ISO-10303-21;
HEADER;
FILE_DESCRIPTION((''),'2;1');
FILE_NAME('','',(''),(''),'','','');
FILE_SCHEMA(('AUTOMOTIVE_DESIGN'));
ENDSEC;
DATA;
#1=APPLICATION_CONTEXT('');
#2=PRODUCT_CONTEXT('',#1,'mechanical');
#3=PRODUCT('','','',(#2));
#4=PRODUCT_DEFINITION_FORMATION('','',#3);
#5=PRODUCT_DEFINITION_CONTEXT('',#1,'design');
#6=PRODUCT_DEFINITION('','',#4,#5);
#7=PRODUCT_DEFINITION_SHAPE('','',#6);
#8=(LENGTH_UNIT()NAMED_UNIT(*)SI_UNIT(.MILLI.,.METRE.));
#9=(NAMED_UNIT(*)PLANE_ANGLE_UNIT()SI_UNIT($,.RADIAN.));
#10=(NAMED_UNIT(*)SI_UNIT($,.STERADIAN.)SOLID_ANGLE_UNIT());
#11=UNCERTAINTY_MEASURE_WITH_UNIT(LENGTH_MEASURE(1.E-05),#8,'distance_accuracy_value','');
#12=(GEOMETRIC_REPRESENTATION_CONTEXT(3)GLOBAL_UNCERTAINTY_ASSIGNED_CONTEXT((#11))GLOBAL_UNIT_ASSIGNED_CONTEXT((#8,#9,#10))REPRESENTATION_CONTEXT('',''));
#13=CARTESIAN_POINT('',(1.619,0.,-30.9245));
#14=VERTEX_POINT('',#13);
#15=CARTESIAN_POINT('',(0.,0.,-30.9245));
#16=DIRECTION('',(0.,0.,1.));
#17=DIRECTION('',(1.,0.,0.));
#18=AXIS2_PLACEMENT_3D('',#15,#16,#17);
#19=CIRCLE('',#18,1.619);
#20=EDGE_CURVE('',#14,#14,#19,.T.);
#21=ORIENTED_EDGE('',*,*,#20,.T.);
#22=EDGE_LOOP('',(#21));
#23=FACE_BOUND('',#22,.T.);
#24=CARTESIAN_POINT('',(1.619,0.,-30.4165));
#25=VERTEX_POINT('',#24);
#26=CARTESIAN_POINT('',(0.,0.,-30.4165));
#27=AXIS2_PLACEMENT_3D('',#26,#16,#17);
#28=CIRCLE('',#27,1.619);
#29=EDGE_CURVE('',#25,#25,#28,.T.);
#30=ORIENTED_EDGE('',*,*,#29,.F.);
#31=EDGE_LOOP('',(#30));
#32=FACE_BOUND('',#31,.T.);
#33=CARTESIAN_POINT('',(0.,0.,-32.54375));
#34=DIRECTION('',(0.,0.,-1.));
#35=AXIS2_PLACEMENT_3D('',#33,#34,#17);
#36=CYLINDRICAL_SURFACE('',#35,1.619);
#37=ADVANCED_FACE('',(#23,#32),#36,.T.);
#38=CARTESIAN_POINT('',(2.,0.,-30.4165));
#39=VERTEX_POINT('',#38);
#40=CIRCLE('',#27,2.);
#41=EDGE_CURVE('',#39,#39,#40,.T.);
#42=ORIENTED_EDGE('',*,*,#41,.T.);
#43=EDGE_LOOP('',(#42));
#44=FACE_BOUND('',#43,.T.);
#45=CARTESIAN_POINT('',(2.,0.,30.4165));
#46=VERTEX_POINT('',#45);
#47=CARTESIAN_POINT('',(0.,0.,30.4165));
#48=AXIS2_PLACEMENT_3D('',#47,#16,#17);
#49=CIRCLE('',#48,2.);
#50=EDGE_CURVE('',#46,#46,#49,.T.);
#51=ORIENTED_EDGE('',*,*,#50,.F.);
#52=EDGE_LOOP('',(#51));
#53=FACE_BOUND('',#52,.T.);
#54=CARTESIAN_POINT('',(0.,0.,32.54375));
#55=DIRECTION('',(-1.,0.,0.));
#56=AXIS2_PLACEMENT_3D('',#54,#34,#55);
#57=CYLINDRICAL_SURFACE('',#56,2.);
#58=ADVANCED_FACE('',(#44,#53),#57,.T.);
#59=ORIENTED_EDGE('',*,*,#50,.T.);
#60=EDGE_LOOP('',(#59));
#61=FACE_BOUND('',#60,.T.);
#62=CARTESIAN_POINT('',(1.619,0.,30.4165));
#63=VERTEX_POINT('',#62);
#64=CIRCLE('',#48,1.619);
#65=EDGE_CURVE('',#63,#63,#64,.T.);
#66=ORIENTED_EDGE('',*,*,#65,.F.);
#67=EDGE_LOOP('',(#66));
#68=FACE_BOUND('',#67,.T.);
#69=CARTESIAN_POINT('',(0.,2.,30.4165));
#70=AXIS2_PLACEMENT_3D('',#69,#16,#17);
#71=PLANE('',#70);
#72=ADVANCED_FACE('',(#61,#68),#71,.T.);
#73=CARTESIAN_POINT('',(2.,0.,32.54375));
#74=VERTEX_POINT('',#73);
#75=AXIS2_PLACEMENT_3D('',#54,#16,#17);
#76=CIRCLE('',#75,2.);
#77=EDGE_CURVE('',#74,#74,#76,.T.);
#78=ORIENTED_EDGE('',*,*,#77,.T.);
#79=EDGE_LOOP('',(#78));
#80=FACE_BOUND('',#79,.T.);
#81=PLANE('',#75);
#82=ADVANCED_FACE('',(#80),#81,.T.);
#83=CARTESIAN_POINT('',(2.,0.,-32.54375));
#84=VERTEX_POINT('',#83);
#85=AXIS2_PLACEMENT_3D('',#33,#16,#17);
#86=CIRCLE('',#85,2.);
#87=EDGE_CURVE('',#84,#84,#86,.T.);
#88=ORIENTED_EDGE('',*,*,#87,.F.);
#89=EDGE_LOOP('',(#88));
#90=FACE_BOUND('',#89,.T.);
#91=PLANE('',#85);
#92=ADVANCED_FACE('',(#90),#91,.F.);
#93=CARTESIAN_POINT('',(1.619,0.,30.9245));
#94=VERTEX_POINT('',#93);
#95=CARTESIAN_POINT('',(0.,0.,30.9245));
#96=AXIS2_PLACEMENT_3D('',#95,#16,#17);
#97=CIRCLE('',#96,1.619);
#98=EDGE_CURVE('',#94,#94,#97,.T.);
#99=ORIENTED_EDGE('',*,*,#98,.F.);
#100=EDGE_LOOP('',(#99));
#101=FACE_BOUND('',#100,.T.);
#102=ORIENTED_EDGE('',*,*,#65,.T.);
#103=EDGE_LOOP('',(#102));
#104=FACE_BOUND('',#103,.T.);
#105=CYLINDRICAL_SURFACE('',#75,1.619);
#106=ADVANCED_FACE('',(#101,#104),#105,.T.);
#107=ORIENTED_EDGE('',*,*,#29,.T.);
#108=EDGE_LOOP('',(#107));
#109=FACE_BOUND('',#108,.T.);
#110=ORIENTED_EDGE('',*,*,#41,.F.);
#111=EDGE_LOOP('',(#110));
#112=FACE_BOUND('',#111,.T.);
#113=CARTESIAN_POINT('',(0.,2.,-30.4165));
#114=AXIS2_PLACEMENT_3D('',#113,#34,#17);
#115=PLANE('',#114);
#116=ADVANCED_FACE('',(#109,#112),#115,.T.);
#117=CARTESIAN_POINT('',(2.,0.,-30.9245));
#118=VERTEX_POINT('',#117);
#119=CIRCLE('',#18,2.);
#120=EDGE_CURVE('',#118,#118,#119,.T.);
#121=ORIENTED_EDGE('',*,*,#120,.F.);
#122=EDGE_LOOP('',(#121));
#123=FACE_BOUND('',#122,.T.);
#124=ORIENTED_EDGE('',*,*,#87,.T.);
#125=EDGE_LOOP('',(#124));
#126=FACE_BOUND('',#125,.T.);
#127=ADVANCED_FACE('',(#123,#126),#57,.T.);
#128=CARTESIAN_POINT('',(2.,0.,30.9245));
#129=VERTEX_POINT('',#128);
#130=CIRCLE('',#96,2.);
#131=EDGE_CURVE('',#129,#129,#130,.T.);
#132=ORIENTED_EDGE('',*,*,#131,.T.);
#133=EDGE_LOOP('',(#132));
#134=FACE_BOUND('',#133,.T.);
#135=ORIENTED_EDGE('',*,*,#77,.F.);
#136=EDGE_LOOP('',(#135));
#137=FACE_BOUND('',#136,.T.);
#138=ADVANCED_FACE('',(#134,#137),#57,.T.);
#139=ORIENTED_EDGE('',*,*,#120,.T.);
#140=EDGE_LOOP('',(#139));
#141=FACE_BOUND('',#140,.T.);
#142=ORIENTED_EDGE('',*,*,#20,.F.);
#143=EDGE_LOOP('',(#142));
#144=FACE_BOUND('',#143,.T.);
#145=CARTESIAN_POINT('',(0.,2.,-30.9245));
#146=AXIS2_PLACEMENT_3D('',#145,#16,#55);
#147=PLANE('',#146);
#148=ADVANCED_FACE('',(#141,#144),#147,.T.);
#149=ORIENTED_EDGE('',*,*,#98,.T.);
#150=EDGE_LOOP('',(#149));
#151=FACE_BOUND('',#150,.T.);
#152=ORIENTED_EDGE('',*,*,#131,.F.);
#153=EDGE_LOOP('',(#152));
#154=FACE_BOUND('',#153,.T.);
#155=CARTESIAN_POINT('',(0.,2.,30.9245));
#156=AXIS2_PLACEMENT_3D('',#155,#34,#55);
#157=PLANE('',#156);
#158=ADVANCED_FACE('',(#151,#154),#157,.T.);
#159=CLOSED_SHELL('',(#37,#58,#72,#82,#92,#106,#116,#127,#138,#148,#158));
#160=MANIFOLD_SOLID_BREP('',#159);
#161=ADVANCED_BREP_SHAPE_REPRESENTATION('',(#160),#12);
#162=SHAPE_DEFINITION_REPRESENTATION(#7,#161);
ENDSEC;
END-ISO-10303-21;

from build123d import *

# Parameters (mm, degrees)
SKETCH1_R           = 2
BOSS_EXTRUDE1_DEPTH = 32.54375
SKETCH2_W           = 0.508
SKETCH2_H           = 0.381


with BuildPart() as part:
    # Sketch1 → Boss-Extrude1 (new, symmetric)
    with BuildSketch(Plane.XY):
        Circle(SKETCH1_R)
    extrude(amount=BOSS_EXTRUDE1_DEPTH, both=True)

    # Sketch2 → Cut-Revolve1 (revolve, cut)
    with BuildSketch(Plane(origin=(0, 0, 0), x_dir=(0, 0, -1), z_dir=(1, 0, 0)), mode=Mode.PRIVATE) as cut_revolve1_sk:
        with Locations((-30.6705, 1.8095)):
            Rectangle(SKETCH2_W, SKETCH2_H)
    cut_revolve1 = revolve(cut_revolve1_sk.sketch.rotate(Axis((0, 0, 32.54375), (0, 0, -1)), 90), axis=Axis((0, 0, 32.54375), (0, 0, -1)), mode=Mode.SUBTRACT)

    # Mirror1: Cut-Revolve1 across plane
    add(cut_revolve1.mirror(Plane.XY), mode=Mode.SUBTRACT)


solid = part.part
